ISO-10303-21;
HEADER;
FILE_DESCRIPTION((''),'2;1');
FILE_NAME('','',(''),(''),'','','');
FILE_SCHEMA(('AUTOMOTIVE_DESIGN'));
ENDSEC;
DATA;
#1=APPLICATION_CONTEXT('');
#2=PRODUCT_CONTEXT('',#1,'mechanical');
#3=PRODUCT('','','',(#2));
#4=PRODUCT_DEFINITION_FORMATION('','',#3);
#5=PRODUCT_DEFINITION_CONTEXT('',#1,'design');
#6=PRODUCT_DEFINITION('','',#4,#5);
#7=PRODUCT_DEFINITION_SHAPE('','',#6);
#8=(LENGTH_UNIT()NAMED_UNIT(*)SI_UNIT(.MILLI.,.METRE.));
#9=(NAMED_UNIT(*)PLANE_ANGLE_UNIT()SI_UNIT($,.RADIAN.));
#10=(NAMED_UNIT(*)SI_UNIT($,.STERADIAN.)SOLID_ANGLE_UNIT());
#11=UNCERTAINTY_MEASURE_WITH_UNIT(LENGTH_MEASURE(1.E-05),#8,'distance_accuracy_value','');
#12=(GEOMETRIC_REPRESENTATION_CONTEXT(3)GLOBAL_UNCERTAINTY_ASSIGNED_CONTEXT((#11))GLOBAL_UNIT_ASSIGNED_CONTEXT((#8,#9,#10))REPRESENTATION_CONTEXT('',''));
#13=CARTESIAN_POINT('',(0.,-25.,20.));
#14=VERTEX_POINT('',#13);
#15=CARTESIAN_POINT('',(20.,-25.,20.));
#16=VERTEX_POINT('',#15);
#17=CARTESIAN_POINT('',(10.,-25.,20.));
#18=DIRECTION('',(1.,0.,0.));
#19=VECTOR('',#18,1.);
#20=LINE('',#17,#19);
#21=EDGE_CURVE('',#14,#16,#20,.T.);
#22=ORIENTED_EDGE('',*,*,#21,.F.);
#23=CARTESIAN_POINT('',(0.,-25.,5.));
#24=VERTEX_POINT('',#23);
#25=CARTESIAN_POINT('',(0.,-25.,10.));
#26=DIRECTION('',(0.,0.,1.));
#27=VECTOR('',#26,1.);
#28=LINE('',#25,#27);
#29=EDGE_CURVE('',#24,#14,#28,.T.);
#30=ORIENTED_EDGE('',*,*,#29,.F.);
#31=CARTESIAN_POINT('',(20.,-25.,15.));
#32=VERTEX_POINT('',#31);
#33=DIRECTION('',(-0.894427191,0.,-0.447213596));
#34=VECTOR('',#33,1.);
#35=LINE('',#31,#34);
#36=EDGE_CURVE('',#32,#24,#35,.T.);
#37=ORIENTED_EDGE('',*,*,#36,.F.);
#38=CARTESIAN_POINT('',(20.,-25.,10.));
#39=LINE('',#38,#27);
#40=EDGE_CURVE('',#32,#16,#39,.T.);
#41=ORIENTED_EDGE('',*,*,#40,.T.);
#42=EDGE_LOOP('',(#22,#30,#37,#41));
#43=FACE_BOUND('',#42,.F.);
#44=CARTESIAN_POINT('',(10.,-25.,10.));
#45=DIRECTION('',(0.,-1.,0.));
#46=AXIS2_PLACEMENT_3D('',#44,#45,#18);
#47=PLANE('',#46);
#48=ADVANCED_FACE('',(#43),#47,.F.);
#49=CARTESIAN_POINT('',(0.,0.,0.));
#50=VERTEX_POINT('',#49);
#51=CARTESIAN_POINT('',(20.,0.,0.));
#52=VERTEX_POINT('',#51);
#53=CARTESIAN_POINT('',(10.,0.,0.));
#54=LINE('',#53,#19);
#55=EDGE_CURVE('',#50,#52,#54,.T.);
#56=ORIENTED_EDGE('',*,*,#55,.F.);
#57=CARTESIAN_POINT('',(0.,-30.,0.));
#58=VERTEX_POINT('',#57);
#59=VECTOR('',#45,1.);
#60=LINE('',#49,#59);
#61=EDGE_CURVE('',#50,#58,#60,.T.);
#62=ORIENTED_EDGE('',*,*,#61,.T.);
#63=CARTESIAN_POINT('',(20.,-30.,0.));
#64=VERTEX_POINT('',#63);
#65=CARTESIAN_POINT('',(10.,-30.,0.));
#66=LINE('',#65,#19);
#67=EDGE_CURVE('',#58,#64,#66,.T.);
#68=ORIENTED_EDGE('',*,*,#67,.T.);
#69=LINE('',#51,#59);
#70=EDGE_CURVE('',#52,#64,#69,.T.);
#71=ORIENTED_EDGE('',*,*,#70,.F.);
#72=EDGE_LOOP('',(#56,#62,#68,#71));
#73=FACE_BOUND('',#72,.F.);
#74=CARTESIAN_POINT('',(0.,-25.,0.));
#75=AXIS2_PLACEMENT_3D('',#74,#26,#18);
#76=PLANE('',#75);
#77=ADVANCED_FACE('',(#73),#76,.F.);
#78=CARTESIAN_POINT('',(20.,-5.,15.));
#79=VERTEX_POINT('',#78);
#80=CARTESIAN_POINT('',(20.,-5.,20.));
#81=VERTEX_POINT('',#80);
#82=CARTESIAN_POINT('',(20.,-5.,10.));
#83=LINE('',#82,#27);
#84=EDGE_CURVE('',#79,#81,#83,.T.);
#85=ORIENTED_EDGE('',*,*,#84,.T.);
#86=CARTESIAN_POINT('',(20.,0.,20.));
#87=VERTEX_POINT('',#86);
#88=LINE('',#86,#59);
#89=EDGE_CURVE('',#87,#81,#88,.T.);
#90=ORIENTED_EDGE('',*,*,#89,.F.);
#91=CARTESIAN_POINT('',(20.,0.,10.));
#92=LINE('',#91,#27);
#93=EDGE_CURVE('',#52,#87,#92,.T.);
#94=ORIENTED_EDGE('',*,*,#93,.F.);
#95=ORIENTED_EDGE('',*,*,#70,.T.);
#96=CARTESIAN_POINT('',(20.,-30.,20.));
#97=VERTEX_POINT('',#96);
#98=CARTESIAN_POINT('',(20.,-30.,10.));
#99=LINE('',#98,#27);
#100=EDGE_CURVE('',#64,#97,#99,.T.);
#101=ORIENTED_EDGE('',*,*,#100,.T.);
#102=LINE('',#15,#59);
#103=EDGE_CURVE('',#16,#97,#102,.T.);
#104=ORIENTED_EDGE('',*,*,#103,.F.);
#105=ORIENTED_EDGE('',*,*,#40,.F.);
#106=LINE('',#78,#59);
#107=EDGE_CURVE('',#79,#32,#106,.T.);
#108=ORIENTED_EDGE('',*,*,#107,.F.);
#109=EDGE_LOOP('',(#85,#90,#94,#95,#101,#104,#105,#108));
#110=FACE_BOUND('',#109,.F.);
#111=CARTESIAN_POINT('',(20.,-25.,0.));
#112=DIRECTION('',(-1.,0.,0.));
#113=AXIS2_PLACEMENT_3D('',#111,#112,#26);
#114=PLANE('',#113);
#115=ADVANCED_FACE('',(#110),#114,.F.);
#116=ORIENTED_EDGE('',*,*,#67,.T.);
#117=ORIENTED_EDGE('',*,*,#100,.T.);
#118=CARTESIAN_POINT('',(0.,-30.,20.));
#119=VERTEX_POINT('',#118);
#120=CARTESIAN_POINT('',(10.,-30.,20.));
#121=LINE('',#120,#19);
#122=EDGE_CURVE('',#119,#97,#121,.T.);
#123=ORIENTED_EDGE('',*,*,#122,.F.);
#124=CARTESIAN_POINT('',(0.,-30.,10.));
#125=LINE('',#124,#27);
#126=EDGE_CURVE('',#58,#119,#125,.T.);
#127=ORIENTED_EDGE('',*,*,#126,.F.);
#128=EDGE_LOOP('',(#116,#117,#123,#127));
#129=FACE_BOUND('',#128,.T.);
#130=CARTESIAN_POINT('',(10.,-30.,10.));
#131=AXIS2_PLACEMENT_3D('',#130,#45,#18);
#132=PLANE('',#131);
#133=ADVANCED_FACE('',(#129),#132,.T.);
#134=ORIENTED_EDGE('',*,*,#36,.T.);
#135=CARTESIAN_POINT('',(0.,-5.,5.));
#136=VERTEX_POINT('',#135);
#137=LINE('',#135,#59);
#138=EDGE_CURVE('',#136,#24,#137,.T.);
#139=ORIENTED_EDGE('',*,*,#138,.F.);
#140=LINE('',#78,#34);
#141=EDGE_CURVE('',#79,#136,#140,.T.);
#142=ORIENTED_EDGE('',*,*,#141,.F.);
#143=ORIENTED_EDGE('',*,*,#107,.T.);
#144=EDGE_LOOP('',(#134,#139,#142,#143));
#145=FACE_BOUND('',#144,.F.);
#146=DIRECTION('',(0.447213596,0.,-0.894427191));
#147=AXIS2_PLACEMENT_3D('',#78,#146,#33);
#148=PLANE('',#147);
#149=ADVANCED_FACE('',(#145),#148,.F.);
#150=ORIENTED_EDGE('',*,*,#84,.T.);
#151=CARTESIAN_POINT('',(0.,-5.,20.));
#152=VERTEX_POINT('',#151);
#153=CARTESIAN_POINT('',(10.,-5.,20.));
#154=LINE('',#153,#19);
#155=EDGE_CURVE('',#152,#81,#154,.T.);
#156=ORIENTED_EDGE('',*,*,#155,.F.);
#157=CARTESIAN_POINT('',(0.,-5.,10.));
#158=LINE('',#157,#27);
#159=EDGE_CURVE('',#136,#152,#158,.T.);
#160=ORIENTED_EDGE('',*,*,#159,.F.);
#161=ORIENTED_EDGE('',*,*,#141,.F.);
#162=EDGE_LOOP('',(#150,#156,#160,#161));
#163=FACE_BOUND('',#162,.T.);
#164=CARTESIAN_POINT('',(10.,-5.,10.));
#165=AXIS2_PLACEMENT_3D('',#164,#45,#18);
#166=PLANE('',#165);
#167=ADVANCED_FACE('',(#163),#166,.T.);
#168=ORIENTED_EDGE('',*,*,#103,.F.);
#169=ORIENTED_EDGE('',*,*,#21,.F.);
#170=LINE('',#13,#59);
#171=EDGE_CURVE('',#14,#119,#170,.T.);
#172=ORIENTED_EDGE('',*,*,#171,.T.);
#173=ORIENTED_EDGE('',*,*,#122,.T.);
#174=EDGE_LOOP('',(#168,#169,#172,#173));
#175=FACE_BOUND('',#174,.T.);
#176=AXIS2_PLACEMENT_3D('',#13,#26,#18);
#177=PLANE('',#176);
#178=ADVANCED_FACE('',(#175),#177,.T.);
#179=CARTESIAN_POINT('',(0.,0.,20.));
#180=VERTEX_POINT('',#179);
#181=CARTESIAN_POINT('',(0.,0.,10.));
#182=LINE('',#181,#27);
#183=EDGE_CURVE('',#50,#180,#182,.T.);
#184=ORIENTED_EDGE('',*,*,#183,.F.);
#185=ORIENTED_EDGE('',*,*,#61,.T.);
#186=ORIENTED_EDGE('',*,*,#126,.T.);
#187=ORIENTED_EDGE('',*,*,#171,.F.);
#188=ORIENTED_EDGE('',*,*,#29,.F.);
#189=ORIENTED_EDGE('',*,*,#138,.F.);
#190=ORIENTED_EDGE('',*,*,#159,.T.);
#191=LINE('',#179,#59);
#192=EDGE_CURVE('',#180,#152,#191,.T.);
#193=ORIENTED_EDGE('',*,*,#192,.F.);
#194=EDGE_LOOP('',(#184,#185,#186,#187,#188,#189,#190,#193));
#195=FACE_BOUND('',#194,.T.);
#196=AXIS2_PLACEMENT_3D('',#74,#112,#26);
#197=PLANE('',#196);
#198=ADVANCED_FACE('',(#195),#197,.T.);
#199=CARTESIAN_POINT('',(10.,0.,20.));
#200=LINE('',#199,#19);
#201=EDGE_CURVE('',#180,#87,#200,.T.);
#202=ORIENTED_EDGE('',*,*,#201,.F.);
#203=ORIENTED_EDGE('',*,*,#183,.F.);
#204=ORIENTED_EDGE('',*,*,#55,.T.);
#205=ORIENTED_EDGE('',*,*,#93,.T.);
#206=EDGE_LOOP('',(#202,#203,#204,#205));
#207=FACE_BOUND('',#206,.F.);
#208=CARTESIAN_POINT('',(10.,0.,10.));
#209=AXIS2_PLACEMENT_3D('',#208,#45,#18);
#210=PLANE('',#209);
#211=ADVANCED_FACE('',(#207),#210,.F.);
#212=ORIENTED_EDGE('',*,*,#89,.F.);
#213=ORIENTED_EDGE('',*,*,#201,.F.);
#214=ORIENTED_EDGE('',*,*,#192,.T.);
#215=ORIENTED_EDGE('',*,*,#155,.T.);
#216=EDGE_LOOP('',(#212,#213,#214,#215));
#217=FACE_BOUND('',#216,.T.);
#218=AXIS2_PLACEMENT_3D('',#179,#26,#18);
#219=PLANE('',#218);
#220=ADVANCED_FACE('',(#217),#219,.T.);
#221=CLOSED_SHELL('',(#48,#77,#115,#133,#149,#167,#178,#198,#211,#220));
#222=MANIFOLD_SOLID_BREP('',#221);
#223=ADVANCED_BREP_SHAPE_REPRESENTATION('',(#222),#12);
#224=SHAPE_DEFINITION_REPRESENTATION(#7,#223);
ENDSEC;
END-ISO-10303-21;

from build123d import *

# Parameters (mm, degrees)
F0_W     = 20
F0_H     = 20
F1_DEPTH = 5
F3_DEPTH = 20
F4_W     = 20
F4_H     = 20
F5_DEPTH = 5


with BuildPart() as f1:
    # F0 (on Front) → F1 (new body)
    with BuildSketch(Plane.XZ):
        with Locations((10, 10)):
            Rectangle(F0_W, F0_H)
    extrude(amount=F1_DEPTH)

    # F2 (on face) → F3 (join)
    with BuildSketch(Plane.XZ.offset(5)):
        Polygon((0, 5), (0, 0), (20, 0), (20, 15), align=None)
    extrude(amount=F3_DEPTH)

    # F4 (on face) → F5 (join)
    with BuildSketch(Plane.XZ.offset(25)):
        with Locations((10, 10)):
            Rectangle(F4_W, F4_H)
    extrude(amount=F5_DEPTH)


solid = f1.part
